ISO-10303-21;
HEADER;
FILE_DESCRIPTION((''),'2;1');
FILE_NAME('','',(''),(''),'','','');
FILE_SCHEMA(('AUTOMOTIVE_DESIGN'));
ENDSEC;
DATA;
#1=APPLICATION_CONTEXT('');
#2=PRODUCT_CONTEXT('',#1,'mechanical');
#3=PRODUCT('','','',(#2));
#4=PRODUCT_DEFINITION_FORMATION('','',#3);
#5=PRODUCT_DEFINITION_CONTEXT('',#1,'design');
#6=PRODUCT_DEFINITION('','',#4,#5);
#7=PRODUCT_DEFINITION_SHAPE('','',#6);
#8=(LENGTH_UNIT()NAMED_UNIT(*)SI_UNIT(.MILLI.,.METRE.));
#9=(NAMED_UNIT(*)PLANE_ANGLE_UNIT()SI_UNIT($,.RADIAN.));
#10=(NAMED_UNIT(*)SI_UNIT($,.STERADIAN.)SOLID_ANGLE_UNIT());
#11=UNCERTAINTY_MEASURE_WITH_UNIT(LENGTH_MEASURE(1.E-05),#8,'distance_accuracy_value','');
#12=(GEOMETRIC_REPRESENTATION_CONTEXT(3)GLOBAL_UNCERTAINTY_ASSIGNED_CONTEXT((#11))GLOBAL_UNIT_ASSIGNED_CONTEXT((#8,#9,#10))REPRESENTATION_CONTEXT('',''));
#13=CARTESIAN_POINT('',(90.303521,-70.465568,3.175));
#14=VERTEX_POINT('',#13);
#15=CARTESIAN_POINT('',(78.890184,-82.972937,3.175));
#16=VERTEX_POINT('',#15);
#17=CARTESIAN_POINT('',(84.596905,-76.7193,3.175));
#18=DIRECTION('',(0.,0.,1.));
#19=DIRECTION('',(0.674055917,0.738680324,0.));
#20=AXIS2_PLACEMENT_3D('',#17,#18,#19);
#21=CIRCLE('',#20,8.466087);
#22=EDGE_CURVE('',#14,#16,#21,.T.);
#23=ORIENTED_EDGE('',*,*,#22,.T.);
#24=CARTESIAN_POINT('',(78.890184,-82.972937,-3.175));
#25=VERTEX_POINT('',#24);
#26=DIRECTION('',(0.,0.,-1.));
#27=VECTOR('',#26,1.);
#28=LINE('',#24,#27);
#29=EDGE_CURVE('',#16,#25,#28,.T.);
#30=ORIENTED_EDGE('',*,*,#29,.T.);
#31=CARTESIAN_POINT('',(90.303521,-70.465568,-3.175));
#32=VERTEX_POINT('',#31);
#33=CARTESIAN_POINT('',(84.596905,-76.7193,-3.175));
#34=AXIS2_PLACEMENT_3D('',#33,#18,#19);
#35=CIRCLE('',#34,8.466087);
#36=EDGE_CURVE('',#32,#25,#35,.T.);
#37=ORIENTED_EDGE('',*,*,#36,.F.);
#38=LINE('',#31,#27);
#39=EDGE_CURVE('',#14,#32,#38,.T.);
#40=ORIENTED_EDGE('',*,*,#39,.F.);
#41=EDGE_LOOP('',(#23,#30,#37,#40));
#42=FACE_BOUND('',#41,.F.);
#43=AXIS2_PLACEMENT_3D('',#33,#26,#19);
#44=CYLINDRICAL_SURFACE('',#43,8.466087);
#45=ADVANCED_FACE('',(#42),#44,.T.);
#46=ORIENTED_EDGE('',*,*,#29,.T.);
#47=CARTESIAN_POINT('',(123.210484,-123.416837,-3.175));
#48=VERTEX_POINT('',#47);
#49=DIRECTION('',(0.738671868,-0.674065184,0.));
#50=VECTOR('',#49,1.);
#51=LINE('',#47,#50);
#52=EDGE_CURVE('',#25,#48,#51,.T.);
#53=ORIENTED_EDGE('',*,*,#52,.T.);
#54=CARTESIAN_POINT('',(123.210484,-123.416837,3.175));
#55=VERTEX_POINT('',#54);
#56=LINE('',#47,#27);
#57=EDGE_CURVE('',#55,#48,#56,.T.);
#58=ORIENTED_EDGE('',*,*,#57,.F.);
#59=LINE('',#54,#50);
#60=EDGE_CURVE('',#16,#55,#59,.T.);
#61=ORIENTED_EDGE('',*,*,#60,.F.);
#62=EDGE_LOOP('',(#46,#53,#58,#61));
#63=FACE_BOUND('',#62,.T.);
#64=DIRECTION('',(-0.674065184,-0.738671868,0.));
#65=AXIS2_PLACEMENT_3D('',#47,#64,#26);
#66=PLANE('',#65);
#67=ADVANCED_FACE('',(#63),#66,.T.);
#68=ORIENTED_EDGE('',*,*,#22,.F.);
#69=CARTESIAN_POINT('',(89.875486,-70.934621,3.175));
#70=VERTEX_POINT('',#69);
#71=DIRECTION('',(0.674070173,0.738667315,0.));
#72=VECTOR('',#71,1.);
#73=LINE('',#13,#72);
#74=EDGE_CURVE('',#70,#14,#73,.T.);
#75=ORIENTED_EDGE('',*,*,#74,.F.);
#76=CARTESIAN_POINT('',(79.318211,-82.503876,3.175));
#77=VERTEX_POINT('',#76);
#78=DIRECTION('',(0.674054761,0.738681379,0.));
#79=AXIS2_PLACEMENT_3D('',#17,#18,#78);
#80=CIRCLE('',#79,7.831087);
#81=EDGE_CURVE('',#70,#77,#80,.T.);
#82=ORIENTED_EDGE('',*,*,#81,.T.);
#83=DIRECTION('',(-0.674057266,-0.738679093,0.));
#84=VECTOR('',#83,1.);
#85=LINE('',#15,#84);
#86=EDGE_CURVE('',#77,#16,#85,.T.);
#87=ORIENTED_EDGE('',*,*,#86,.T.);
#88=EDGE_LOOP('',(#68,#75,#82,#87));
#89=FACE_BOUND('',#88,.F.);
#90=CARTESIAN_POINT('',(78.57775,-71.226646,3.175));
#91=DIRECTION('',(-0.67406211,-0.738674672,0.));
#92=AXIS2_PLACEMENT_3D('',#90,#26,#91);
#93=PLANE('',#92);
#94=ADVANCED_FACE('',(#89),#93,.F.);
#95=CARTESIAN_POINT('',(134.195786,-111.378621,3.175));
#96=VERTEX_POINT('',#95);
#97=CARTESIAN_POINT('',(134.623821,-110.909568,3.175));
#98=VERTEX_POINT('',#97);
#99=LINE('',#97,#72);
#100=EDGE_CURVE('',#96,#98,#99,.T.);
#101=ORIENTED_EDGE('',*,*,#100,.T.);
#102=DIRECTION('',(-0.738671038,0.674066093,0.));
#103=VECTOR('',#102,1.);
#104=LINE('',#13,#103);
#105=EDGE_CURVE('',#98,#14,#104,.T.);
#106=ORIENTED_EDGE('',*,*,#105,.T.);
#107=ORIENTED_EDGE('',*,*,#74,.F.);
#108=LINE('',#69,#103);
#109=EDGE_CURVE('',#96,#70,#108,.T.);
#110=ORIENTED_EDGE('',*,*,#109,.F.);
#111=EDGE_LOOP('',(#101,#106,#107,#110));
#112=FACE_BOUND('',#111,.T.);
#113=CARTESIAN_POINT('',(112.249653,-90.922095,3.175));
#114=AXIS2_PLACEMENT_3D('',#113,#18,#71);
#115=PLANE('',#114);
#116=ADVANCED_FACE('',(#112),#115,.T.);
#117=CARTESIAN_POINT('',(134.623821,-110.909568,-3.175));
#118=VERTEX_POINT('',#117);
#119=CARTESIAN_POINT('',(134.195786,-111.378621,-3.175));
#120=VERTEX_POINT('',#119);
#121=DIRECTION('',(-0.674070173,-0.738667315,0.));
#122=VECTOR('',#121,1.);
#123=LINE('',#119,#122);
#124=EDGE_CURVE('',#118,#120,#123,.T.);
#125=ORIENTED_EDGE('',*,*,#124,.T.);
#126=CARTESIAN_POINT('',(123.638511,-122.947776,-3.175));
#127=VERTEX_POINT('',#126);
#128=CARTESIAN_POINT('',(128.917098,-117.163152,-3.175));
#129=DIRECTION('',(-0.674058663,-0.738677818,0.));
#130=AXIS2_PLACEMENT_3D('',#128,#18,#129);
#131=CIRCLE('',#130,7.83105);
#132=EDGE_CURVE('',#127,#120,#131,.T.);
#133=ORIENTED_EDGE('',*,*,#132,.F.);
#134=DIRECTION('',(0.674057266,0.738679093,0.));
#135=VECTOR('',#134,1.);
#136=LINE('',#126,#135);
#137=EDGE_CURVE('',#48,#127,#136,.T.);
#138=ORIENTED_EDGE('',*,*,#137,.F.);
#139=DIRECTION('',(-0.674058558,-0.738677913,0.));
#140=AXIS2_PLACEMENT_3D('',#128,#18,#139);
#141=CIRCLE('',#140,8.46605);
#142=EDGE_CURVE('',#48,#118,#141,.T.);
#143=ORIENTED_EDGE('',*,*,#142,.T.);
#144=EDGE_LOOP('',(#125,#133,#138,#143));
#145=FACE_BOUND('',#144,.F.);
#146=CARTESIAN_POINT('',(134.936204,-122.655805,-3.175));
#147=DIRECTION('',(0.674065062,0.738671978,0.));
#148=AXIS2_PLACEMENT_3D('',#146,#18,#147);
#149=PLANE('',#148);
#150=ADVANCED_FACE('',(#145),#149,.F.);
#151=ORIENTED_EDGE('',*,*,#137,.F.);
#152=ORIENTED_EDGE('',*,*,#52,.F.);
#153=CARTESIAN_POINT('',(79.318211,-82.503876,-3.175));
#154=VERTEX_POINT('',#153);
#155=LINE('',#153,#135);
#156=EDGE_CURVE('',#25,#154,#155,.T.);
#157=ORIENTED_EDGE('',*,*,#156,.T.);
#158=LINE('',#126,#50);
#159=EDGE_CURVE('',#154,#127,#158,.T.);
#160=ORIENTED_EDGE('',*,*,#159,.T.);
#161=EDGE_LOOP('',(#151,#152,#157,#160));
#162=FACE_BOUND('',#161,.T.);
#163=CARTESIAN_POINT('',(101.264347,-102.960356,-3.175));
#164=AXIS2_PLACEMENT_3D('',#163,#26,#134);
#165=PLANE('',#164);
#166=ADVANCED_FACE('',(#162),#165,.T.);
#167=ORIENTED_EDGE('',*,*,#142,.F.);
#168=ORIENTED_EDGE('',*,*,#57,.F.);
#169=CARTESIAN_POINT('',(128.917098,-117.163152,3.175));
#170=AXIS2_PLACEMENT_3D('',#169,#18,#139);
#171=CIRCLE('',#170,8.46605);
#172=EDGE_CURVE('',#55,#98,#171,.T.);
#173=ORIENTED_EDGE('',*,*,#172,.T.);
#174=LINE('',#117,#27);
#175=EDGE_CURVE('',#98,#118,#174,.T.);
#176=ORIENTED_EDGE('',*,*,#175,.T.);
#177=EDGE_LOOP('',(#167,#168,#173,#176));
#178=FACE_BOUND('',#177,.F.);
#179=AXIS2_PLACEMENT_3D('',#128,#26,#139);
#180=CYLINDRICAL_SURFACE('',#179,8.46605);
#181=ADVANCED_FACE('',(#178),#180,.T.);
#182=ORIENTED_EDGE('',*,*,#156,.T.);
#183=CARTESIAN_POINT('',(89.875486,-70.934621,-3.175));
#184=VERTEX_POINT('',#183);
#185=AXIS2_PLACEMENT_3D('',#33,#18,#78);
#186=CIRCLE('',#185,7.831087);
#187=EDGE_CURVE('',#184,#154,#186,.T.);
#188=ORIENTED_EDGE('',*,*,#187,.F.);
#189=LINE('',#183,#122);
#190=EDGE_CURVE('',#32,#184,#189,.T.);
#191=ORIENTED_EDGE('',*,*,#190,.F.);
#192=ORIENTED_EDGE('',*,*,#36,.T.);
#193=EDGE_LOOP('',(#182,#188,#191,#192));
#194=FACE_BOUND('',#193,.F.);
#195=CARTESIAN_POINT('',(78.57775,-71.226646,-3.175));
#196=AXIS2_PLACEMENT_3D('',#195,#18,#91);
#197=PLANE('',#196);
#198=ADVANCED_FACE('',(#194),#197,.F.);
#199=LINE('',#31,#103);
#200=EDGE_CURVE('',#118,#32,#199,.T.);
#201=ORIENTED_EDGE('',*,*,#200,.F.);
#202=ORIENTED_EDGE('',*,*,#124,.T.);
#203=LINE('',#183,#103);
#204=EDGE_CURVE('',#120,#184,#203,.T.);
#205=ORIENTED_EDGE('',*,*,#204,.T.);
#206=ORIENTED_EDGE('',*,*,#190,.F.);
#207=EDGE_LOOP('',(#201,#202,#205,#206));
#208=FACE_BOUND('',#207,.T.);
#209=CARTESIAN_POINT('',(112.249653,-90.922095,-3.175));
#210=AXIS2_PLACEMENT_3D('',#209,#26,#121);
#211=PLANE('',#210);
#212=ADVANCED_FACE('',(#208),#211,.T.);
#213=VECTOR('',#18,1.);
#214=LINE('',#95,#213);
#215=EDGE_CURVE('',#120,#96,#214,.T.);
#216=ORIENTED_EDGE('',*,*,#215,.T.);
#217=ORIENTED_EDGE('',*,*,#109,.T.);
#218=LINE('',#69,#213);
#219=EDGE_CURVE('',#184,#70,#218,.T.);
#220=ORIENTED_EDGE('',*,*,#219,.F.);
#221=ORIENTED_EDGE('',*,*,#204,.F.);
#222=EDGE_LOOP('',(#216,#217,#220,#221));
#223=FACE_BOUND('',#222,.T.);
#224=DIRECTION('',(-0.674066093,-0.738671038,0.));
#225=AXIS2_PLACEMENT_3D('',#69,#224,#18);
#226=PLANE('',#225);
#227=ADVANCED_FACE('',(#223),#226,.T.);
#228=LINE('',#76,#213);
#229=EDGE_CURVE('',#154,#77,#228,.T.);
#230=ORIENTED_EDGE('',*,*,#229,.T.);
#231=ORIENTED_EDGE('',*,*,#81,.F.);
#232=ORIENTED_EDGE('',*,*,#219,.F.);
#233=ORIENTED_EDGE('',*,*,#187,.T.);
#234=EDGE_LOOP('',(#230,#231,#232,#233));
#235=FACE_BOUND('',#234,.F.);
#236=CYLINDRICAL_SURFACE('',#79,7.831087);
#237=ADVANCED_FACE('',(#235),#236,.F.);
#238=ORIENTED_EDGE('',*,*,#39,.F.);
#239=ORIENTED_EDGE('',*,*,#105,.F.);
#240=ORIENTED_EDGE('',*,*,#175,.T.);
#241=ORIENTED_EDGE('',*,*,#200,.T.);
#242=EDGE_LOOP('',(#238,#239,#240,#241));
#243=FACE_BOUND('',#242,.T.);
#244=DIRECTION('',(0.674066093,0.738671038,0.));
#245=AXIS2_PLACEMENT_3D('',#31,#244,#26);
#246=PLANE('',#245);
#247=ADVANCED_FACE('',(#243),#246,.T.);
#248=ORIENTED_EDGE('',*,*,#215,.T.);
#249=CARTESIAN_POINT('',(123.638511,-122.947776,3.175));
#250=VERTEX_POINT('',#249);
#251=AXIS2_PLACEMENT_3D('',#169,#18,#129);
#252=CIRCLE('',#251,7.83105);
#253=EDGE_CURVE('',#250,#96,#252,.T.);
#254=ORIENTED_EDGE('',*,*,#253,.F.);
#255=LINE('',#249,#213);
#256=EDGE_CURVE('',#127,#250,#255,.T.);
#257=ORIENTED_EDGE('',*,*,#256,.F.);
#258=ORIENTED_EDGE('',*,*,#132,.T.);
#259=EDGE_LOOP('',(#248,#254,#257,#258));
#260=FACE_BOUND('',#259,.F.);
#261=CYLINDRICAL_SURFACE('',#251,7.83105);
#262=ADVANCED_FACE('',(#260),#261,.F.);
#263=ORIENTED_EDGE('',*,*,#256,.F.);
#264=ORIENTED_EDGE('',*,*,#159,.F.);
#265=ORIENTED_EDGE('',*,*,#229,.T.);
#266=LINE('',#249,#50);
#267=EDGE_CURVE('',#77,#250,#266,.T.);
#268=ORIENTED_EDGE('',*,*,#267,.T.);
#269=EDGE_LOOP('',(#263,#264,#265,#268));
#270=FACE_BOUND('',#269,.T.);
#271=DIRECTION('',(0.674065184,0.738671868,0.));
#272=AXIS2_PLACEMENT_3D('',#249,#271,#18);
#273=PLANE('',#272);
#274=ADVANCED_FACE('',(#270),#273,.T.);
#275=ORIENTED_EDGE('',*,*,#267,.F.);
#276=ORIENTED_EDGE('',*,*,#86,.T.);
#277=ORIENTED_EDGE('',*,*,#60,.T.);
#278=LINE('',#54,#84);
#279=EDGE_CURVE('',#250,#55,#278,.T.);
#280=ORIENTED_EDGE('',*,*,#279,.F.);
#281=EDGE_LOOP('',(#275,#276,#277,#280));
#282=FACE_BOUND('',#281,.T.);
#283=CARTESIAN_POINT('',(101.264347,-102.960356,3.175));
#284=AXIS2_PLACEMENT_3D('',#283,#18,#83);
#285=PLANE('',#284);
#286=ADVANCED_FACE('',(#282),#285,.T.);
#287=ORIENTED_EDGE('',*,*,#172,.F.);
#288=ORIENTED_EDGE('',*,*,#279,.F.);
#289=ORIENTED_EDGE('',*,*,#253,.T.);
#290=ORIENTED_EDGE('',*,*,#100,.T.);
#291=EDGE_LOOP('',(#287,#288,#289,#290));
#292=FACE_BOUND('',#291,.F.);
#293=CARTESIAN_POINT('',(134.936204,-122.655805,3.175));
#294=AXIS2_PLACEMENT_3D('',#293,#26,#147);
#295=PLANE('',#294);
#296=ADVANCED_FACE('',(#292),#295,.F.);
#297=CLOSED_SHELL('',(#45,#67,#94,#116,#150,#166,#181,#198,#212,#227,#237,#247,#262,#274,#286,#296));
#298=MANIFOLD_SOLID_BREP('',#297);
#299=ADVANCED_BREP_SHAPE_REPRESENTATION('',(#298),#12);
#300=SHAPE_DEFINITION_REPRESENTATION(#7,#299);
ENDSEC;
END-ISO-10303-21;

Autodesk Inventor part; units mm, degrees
sketch "Sketch Path" plane through (0, 0, 0) normal (0, 0, 1) x (1, 0, 0)
  arc A0 (123.4673, -123.1354) -> (134.367, -111.191) centre (128.9171, -117.1632) ccw
  arc A1 (90.0467, -70.747) -> (79.147, -82.6915) centre (84.5969, -76.7192) ccw
  line L0 (90.0467, -70.747) -> (134.367, -111.191)
  line L1 (123.4673, -123.1354) -> (79.147, -82.6915)
ref_plane "Cross Section Plane" through (134.367, -111.191, 0) normal (-0.7387, 0.6741, 0) x (0, 0, 1)
ref_plane "Work Plane2" through (128.9171, -117.1632, 0) normal (-1, 0, 0) x (0, 0, 1)
ref_plane "Work Plane3" through (84.5969, -76.7192, 0) normal (0.7337, -0.6795, 0) x (0, 0, 1)
sketch "Cross Section" plane through (134.367, -111.191, 0) normal (-0.7387, 0.6741, 0) x (0, 0, 1)
  line L0 (-3.175, 0.381) -> (3.175, 0.381)
  line L1 (3.175, 0.381) -> (3.175, -0.254)
  line L2 (3.175, -0.254) -> (-3.175, -0.254)
  line L3 (-3.175, -0.254) -> (-3.175, 0.381)
  line L4 (-3.175, 0) -> (3.175, 0) construction
  point P0 (0, 0)
  point P1 (0, 0)
  dimension "d0" = 6.35
  dimension "d4" = 0.254
  dimension "d5" = 0.381
sweep "Belt" add profiles "Cross Section" path "Sketch Path"
equation "\"d0\" = da_B"
equation "\"d4\" = da_a"
equation "\"d5\" = da_a2"
equation "\"da_B\" = 6.35"
equation "\"da_pb\" = 2.032"
equation "\"da_L\" = 170.8"
equation "\"da_a\" = 0.254"
equation "\"da_S\" = 1.143"
equation "\"da_Beta\" = 20deg"
equation "\"da_Ht\" = 0.508"
equation "\"da_H\" = 1.143"
equation "\"da_a2\" = 0.381"
properties part number "Synchronous Belt" material "Rubber"
